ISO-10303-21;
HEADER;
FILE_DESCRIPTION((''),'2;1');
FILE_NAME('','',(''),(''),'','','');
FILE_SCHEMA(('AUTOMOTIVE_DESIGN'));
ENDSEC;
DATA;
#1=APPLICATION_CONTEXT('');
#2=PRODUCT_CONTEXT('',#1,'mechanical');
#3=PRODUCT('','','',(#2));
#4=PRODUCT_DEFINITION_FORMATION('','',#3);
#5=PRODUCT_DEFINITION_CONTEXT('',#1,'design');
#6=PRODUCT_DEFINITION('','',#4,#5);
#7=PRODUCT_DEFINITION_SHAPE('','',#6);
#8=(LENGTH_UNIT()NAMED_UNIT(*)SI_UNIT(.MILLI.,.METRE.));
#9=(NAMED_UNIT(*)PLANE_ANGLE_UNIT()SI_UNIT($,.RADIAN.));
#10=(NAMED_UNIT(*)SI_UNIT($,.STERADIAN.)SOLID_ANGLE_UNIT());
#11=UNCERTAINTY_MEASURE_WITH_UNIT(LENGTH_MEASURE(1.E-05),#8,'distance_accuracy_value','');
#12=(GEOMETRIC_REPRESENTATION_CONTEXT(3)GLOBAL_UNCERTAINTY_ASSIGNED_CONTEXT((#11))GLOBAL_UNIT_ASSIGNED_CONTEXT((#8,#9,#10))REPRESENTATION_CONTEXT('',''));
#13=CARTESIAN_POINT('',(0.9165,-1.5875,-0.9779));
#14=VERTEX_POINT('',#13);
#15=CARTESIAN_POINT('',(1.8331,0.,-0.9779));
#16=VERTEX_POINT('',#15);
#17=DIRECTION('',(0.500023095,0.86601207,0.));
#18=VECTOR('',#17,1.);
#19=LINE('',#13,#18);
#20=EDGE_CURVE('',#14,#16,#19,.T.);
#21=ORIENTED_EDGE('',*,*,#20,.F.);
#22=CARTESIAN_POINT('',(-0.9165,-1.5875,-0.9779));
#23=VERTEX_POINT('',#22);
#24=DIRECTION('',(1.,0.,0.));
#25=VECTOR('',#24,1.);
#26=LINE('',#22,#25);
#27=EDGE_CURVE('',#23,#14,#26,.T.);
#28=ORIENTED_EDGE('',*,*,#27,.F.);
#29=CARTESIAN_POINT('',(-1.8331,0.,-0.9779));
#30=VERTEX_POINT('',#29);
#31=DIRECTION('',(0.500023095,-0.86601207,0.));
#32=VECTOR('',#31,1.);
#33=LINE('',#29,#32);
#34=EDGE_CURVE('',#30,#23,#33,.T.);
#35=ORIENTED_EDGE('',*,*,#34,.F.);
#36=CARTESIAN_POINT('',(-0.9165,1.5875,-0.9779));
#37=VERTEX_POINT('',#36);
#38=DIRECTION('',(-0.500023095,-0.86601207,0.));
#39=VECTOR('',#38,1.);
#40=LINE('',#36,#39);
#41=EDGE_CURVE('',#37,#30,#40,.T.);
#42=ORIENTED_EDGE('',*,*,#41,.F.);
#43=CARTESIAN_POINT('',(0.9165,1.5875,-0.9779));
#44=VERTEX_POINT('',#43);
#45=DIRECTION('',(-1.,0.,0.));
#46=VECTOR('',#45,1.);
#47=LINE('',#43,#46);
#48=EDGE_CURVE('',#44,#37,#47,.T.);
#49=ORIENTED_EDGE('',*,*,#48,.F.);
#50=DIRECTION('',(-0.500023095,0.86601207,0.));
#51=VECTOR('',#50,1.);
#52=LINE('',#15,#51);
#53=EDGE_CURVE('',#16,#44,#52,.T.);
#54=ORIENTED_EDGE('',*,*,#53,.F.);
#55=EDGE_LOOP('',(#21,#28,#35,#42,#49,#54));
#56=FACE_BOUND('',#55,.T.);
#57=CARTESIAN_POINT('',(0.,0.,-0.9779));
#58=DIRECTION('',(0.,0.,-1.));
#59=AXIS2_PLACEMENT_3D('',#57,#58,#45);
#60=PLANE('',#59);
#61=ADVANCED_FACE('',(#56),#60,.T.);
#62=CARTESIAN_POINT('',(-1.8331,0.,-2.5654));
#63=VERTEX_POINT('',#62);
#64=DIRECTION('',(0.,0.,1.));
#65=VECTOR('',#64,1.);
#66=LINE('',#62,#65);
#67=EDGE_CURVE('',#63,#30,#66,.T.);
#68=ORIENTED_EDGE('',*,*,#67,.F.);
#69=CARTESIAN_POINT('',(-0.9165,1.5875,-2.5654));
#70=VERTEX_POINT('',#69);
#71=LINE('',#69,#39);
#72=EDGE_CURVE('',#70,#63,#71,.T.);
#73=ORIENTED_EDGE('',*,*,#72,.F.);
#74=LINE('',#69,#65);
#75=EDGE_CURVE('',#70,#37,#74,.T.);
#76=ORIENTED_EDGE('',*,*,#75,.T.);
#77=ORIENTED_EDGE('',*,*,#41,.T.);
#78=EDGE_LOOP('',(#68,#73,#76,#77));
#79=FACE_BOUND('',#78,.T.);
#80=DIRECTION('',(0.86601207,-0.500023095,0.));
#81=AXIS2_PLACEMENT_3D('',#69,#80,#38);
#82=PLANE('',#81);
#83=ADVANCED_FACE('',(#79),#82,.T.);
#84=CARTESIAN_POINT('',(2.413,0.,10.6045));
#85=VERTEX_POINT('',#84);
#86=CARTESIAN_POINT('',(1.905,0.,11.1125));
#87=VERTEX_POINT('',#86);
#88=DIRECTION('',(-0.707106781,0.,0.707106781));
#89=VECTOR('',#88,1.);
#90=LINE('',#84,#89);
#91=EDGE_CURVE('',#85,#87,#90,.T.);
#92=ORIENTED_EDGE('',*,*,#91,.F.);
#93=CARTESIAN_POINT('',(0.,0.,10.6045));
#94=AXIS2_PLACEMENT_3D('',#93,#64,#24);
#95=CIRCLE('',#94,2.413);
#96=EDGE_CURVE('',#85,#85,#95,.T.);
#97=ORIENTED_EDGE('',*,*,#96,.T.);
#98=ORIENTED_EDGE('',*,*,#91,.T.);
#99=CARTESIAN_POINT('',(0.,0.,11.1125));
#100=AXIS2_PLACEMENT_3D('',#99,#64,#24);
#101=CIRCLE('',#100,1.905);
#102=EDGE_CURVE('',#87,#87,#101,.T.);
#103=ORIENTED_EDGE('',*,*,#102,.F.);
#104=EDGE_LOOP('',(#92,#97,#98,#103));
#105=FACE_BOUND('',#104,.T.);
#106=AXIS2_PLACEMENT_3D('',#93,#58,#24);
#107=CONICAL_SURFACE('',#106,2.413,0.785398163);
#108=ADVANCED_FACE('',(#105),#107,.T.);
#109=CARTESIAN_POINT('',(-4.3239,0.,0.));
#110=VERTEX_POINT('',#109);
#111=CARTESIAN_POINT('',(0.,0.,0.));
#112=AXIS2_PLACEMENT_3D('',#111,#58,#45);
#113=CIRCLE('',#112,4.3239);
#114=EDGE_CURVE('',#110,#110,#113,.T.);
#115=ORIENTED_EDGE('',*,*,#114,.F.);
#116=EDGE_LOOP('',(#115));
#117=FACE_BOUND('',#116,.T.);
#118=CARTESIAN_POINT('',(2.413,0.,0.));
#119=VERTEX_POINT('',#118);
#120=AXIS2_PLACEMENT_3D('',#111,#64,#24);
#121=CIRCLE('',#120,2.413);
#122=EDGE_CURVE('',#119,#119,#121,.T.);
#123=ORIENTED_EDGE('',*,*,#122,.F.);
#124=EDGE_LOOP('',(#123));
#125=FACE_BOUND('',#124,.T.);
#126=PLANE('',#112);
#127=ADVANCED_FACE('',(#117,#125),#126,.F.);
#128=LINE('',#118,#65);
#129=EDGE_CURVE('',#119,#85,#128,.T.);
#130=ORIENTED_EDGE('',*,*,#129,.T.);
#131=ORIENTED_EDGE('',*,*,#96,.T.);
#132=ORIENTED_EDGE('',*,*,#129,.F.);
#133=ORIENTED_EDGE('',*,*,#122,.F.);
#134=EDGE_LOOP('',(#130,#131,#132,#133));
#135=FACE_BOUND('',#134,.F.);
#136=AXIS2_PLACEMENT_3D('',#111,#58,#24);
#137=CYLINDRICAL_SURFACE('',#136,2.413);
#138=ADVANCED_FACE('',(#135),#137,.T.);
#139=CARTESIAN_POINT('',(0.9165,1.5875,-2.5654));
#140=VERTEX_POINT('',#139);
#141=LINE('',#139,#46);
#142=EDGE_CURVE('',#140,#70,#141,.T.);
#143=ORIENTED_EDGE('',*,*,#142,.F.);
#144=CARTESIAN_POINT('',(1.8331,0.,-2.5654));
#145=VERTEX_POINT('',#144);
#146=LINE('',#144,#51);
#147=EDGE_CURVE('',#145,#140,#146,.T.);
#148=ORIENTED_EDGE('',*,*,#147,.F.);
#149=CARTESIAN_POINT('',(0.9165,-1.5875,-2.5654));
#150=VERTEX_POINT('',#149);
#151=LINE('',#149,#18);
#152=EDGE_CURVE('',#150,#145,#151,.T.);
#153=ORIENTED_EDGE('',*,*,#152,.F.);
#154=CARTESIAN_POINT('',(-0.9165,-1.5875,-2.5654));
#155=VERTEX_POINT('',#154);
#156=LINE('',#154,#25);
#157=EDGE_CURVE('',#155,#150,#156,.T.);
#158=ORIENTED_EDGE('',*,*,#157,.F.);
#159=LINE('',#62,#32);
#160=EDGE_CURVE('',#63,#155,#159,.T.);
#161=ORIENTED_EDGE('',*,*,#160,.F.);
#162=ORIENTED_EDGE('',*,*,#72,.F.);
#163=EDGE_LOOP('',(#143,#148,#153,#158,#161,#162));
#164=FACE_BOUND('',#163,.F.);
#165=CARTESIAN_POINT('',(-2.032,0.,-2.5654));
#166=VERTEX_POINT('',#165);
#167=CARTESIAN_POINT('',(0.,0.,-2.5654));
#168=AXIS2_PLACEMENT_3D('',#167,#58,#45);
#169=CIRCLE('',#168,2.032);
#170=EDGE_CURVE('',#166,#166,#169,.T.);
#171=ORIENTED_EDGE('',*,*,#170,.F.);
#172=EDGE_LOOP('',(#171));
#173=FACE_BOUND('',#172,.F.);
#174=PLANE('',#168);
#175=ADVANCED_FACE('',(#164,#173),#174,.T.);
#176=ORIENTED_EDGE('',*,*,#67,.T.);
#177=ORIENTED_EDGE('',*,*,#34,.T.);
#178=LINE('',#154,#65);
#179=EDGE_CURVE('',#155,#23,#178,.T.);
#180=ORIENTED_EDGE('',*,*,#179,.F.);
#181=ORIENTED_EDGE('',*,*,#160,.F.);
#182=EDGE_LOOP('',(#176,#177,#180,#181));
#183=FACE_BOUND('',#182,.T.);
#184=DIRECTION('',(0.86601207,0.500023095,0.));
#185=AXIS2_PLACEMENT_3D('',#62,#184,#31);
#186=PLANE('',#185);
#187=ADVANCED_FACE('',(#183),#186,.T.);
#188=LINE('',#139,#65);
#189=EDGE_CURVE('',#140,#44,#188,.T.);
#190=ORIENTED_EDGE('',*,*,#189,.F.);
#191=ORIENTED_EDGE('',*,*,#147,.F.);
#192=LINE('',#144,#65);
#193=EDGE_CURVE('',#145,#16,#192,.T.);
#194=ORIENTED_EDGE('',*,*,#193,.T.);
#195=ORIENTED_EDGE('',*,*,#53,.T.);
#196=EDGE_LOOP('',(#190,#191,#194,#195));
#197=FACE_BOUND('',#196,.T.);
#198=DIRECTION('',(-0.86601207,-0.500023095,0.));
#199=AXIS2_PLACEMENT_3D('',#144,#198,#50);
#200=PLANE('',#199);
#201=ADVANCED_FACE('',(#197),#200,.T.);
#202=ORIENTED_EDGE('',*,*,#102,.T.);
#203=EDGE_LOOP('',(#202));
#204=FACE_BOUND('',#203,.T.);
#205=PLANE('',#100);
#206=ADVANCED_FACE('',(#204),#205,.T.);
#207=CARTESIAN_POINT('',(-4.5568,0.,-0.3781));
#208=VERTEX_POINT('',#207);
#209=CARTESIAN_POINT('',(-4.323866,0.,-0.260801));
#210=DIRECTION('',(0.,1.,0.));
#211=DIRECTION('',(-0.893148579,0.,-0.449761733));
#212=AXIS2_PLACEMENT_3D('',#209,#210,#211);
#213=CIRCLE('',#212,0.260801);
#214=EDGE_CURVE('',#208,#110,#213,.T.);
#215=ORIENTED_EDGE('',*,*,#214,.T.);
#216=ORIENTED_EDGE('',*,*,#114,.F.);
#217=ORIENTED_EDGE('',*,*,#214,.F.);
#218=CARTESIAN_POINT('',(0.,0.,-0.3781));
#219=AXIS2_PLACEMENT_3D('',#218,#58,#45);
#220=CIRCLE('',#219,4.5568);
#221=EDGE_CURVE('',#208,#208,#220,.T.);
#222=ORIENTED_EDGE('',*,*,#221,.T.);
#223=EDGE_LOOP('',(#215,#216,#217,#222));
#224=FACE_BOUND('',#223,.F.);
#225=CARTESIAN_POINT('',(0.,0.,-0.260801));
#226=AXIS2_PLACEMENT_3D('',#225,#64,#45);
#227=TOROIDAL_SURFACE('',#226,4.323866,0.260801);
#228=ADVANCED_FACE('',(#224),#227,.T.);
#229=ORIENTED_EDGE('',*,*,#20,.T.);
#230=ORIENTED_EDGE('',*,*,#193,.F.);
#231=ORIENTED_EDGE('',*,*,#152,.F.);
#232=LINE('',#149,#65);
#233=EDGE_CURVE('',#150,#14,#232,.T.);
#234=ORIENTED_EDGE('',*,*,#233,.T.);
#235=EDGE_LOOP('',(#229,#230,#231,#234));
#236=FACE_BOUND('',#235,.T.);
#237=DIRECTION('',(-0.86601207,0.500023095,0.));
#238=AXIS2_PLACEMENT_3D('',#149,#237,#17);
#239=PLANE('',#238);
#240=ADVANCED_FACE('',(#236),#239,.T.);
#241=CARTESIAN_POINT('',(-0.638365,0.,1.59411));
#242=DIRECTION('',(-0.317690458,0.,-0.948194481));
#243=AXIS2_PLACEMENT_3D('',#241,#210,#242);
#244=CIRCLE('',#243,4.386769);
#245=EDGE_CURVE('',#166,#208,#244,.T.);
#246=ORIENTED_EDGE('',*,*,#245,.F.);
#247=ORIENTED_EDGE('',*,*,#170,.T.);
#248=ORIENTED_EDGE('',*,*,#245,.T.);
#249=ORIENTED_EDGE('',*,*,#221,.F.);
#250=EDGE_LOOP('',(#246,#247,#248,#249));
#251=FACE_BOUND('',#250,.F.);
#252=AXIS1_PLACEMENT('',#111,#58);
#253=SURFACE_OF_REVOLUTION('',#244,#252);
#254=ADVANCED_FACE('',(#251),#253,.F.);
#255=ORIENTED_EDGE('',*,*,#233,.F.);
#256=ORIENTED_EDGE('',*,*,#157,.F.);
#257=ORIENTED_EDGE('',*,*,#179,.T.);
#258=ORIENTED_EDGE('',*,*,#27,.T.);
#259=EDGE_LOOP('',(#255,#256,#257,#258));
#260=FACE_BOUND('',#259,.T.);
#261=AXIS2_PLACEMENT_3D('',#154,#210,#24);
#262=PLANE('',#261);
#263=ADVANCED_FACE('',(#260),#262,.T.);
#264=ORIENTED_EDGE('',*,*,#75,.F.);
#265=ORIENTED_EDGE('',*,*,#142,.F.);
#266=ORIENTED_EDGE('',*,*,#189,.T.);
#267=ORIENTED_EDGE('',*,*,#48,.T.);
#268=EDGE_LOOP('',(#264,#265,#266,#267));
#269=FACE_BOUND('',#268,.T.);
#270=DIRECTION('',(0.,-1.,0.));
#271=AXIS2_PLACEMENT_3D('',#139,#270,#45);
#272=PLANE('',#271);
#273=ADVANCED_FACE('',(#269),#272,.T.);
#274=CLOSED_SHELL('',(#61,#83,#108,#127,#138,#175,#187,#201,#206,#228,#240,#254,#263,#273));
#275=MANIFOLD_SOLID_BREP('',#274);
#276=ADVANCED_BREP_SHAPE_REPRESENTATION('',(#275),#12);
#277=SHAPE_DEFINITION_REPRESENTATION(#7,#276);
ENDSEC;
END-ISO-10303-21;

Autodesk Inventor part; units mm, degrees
ref_plane "YZ Plane" through (0, 0, 0) normal (1, 0, 0) x (0, 1, 0)
ref_plane "XZ Plane" through (0, 0, 0) normal (0, 1, 0) x (-1, 0, 0)
ref_plane "XY Plane" through (0, 0, 0) normal (0, 0, 1) x (1, 0, 0)
sketch "Sketch1" plane through (0, 0, 0) normal (0, 0, 1) x (1, 0, 0)
  circle A0 centre (0, 0) radius 2.413
  dimension "d0" = 4.826
extrude "Extrusion1" add sketch "Sketch1" along normal blind 11.1125
sketch "Sketch2" plane through (0, 0, 0) normal (0, 1, 0) x (-1, 0, 0)
  line L0 (0, 0) -> (0, -2.5654)
  line L1 (0, 0) -> (4.3239, 0)
  line L2 (0, -2.5654) -> (2.032, -2.5654)
  line L3 (4.3239, 0) -> (4.3239, 3.8864) construction
  arc A0 (4.5568, -0.3781) -> (4.3239, 0) centre (4.3239, -0.2608) ccw
  arc A1 (2.032, -2.5654) -> (4.5568, -0.3781) centre (0.6382, 1.5944) ccw
  line L4 (4.5847, 0.6553) -> (4.5847, -0.2608) construction
  dimension "d3" = 2.5654
  dimension "d6" = 2.032
  dimension "d12" = 4.5847
revolve "Revolution1" add sketch "Sketch2" angle 360 about axis through (0, 0, 0) along (0, 0, -1)
sketch "Sketch3" plane through (0, 0, -2.5654) normal (0, 0, -1) x (-1, 0, 0)
  circle A0 centre (0, 0) radius 2.032 projected
  line L0 (-0.9165, 1.5875) -> (0.9165, 1.5875)
  line L1 (0.9165, 1.5875) -> (1.8331, 0)
  line L2 (1.8331, 0) -> (0.9165, -1.5875)
  line L3 (0.9165, -1.5875) -> (-0.9165, -1.5875)
  line L4 (-0.9165, -1.5875) -> (-1.8331, 0)
  line L5 (-1.8331, 0) -> (-0.9165, 1.5875)
  dimension "d8" = 3.175
extrude "Extrusion2" cut sketch "Sketch3" against normal blind 1.5875 contours L0 L1 L2 L3 L4 L5
chamfer "Chamfer1" distance 0.508 angle 45 1 edges at (-2.413, 0, 11.1125)
thread "Thread1" size "10-32 UNF" class "2A" standard "ANSI Unified Screw Threads" full length
properties part number "10-32 x438 button head" material "Steel"
